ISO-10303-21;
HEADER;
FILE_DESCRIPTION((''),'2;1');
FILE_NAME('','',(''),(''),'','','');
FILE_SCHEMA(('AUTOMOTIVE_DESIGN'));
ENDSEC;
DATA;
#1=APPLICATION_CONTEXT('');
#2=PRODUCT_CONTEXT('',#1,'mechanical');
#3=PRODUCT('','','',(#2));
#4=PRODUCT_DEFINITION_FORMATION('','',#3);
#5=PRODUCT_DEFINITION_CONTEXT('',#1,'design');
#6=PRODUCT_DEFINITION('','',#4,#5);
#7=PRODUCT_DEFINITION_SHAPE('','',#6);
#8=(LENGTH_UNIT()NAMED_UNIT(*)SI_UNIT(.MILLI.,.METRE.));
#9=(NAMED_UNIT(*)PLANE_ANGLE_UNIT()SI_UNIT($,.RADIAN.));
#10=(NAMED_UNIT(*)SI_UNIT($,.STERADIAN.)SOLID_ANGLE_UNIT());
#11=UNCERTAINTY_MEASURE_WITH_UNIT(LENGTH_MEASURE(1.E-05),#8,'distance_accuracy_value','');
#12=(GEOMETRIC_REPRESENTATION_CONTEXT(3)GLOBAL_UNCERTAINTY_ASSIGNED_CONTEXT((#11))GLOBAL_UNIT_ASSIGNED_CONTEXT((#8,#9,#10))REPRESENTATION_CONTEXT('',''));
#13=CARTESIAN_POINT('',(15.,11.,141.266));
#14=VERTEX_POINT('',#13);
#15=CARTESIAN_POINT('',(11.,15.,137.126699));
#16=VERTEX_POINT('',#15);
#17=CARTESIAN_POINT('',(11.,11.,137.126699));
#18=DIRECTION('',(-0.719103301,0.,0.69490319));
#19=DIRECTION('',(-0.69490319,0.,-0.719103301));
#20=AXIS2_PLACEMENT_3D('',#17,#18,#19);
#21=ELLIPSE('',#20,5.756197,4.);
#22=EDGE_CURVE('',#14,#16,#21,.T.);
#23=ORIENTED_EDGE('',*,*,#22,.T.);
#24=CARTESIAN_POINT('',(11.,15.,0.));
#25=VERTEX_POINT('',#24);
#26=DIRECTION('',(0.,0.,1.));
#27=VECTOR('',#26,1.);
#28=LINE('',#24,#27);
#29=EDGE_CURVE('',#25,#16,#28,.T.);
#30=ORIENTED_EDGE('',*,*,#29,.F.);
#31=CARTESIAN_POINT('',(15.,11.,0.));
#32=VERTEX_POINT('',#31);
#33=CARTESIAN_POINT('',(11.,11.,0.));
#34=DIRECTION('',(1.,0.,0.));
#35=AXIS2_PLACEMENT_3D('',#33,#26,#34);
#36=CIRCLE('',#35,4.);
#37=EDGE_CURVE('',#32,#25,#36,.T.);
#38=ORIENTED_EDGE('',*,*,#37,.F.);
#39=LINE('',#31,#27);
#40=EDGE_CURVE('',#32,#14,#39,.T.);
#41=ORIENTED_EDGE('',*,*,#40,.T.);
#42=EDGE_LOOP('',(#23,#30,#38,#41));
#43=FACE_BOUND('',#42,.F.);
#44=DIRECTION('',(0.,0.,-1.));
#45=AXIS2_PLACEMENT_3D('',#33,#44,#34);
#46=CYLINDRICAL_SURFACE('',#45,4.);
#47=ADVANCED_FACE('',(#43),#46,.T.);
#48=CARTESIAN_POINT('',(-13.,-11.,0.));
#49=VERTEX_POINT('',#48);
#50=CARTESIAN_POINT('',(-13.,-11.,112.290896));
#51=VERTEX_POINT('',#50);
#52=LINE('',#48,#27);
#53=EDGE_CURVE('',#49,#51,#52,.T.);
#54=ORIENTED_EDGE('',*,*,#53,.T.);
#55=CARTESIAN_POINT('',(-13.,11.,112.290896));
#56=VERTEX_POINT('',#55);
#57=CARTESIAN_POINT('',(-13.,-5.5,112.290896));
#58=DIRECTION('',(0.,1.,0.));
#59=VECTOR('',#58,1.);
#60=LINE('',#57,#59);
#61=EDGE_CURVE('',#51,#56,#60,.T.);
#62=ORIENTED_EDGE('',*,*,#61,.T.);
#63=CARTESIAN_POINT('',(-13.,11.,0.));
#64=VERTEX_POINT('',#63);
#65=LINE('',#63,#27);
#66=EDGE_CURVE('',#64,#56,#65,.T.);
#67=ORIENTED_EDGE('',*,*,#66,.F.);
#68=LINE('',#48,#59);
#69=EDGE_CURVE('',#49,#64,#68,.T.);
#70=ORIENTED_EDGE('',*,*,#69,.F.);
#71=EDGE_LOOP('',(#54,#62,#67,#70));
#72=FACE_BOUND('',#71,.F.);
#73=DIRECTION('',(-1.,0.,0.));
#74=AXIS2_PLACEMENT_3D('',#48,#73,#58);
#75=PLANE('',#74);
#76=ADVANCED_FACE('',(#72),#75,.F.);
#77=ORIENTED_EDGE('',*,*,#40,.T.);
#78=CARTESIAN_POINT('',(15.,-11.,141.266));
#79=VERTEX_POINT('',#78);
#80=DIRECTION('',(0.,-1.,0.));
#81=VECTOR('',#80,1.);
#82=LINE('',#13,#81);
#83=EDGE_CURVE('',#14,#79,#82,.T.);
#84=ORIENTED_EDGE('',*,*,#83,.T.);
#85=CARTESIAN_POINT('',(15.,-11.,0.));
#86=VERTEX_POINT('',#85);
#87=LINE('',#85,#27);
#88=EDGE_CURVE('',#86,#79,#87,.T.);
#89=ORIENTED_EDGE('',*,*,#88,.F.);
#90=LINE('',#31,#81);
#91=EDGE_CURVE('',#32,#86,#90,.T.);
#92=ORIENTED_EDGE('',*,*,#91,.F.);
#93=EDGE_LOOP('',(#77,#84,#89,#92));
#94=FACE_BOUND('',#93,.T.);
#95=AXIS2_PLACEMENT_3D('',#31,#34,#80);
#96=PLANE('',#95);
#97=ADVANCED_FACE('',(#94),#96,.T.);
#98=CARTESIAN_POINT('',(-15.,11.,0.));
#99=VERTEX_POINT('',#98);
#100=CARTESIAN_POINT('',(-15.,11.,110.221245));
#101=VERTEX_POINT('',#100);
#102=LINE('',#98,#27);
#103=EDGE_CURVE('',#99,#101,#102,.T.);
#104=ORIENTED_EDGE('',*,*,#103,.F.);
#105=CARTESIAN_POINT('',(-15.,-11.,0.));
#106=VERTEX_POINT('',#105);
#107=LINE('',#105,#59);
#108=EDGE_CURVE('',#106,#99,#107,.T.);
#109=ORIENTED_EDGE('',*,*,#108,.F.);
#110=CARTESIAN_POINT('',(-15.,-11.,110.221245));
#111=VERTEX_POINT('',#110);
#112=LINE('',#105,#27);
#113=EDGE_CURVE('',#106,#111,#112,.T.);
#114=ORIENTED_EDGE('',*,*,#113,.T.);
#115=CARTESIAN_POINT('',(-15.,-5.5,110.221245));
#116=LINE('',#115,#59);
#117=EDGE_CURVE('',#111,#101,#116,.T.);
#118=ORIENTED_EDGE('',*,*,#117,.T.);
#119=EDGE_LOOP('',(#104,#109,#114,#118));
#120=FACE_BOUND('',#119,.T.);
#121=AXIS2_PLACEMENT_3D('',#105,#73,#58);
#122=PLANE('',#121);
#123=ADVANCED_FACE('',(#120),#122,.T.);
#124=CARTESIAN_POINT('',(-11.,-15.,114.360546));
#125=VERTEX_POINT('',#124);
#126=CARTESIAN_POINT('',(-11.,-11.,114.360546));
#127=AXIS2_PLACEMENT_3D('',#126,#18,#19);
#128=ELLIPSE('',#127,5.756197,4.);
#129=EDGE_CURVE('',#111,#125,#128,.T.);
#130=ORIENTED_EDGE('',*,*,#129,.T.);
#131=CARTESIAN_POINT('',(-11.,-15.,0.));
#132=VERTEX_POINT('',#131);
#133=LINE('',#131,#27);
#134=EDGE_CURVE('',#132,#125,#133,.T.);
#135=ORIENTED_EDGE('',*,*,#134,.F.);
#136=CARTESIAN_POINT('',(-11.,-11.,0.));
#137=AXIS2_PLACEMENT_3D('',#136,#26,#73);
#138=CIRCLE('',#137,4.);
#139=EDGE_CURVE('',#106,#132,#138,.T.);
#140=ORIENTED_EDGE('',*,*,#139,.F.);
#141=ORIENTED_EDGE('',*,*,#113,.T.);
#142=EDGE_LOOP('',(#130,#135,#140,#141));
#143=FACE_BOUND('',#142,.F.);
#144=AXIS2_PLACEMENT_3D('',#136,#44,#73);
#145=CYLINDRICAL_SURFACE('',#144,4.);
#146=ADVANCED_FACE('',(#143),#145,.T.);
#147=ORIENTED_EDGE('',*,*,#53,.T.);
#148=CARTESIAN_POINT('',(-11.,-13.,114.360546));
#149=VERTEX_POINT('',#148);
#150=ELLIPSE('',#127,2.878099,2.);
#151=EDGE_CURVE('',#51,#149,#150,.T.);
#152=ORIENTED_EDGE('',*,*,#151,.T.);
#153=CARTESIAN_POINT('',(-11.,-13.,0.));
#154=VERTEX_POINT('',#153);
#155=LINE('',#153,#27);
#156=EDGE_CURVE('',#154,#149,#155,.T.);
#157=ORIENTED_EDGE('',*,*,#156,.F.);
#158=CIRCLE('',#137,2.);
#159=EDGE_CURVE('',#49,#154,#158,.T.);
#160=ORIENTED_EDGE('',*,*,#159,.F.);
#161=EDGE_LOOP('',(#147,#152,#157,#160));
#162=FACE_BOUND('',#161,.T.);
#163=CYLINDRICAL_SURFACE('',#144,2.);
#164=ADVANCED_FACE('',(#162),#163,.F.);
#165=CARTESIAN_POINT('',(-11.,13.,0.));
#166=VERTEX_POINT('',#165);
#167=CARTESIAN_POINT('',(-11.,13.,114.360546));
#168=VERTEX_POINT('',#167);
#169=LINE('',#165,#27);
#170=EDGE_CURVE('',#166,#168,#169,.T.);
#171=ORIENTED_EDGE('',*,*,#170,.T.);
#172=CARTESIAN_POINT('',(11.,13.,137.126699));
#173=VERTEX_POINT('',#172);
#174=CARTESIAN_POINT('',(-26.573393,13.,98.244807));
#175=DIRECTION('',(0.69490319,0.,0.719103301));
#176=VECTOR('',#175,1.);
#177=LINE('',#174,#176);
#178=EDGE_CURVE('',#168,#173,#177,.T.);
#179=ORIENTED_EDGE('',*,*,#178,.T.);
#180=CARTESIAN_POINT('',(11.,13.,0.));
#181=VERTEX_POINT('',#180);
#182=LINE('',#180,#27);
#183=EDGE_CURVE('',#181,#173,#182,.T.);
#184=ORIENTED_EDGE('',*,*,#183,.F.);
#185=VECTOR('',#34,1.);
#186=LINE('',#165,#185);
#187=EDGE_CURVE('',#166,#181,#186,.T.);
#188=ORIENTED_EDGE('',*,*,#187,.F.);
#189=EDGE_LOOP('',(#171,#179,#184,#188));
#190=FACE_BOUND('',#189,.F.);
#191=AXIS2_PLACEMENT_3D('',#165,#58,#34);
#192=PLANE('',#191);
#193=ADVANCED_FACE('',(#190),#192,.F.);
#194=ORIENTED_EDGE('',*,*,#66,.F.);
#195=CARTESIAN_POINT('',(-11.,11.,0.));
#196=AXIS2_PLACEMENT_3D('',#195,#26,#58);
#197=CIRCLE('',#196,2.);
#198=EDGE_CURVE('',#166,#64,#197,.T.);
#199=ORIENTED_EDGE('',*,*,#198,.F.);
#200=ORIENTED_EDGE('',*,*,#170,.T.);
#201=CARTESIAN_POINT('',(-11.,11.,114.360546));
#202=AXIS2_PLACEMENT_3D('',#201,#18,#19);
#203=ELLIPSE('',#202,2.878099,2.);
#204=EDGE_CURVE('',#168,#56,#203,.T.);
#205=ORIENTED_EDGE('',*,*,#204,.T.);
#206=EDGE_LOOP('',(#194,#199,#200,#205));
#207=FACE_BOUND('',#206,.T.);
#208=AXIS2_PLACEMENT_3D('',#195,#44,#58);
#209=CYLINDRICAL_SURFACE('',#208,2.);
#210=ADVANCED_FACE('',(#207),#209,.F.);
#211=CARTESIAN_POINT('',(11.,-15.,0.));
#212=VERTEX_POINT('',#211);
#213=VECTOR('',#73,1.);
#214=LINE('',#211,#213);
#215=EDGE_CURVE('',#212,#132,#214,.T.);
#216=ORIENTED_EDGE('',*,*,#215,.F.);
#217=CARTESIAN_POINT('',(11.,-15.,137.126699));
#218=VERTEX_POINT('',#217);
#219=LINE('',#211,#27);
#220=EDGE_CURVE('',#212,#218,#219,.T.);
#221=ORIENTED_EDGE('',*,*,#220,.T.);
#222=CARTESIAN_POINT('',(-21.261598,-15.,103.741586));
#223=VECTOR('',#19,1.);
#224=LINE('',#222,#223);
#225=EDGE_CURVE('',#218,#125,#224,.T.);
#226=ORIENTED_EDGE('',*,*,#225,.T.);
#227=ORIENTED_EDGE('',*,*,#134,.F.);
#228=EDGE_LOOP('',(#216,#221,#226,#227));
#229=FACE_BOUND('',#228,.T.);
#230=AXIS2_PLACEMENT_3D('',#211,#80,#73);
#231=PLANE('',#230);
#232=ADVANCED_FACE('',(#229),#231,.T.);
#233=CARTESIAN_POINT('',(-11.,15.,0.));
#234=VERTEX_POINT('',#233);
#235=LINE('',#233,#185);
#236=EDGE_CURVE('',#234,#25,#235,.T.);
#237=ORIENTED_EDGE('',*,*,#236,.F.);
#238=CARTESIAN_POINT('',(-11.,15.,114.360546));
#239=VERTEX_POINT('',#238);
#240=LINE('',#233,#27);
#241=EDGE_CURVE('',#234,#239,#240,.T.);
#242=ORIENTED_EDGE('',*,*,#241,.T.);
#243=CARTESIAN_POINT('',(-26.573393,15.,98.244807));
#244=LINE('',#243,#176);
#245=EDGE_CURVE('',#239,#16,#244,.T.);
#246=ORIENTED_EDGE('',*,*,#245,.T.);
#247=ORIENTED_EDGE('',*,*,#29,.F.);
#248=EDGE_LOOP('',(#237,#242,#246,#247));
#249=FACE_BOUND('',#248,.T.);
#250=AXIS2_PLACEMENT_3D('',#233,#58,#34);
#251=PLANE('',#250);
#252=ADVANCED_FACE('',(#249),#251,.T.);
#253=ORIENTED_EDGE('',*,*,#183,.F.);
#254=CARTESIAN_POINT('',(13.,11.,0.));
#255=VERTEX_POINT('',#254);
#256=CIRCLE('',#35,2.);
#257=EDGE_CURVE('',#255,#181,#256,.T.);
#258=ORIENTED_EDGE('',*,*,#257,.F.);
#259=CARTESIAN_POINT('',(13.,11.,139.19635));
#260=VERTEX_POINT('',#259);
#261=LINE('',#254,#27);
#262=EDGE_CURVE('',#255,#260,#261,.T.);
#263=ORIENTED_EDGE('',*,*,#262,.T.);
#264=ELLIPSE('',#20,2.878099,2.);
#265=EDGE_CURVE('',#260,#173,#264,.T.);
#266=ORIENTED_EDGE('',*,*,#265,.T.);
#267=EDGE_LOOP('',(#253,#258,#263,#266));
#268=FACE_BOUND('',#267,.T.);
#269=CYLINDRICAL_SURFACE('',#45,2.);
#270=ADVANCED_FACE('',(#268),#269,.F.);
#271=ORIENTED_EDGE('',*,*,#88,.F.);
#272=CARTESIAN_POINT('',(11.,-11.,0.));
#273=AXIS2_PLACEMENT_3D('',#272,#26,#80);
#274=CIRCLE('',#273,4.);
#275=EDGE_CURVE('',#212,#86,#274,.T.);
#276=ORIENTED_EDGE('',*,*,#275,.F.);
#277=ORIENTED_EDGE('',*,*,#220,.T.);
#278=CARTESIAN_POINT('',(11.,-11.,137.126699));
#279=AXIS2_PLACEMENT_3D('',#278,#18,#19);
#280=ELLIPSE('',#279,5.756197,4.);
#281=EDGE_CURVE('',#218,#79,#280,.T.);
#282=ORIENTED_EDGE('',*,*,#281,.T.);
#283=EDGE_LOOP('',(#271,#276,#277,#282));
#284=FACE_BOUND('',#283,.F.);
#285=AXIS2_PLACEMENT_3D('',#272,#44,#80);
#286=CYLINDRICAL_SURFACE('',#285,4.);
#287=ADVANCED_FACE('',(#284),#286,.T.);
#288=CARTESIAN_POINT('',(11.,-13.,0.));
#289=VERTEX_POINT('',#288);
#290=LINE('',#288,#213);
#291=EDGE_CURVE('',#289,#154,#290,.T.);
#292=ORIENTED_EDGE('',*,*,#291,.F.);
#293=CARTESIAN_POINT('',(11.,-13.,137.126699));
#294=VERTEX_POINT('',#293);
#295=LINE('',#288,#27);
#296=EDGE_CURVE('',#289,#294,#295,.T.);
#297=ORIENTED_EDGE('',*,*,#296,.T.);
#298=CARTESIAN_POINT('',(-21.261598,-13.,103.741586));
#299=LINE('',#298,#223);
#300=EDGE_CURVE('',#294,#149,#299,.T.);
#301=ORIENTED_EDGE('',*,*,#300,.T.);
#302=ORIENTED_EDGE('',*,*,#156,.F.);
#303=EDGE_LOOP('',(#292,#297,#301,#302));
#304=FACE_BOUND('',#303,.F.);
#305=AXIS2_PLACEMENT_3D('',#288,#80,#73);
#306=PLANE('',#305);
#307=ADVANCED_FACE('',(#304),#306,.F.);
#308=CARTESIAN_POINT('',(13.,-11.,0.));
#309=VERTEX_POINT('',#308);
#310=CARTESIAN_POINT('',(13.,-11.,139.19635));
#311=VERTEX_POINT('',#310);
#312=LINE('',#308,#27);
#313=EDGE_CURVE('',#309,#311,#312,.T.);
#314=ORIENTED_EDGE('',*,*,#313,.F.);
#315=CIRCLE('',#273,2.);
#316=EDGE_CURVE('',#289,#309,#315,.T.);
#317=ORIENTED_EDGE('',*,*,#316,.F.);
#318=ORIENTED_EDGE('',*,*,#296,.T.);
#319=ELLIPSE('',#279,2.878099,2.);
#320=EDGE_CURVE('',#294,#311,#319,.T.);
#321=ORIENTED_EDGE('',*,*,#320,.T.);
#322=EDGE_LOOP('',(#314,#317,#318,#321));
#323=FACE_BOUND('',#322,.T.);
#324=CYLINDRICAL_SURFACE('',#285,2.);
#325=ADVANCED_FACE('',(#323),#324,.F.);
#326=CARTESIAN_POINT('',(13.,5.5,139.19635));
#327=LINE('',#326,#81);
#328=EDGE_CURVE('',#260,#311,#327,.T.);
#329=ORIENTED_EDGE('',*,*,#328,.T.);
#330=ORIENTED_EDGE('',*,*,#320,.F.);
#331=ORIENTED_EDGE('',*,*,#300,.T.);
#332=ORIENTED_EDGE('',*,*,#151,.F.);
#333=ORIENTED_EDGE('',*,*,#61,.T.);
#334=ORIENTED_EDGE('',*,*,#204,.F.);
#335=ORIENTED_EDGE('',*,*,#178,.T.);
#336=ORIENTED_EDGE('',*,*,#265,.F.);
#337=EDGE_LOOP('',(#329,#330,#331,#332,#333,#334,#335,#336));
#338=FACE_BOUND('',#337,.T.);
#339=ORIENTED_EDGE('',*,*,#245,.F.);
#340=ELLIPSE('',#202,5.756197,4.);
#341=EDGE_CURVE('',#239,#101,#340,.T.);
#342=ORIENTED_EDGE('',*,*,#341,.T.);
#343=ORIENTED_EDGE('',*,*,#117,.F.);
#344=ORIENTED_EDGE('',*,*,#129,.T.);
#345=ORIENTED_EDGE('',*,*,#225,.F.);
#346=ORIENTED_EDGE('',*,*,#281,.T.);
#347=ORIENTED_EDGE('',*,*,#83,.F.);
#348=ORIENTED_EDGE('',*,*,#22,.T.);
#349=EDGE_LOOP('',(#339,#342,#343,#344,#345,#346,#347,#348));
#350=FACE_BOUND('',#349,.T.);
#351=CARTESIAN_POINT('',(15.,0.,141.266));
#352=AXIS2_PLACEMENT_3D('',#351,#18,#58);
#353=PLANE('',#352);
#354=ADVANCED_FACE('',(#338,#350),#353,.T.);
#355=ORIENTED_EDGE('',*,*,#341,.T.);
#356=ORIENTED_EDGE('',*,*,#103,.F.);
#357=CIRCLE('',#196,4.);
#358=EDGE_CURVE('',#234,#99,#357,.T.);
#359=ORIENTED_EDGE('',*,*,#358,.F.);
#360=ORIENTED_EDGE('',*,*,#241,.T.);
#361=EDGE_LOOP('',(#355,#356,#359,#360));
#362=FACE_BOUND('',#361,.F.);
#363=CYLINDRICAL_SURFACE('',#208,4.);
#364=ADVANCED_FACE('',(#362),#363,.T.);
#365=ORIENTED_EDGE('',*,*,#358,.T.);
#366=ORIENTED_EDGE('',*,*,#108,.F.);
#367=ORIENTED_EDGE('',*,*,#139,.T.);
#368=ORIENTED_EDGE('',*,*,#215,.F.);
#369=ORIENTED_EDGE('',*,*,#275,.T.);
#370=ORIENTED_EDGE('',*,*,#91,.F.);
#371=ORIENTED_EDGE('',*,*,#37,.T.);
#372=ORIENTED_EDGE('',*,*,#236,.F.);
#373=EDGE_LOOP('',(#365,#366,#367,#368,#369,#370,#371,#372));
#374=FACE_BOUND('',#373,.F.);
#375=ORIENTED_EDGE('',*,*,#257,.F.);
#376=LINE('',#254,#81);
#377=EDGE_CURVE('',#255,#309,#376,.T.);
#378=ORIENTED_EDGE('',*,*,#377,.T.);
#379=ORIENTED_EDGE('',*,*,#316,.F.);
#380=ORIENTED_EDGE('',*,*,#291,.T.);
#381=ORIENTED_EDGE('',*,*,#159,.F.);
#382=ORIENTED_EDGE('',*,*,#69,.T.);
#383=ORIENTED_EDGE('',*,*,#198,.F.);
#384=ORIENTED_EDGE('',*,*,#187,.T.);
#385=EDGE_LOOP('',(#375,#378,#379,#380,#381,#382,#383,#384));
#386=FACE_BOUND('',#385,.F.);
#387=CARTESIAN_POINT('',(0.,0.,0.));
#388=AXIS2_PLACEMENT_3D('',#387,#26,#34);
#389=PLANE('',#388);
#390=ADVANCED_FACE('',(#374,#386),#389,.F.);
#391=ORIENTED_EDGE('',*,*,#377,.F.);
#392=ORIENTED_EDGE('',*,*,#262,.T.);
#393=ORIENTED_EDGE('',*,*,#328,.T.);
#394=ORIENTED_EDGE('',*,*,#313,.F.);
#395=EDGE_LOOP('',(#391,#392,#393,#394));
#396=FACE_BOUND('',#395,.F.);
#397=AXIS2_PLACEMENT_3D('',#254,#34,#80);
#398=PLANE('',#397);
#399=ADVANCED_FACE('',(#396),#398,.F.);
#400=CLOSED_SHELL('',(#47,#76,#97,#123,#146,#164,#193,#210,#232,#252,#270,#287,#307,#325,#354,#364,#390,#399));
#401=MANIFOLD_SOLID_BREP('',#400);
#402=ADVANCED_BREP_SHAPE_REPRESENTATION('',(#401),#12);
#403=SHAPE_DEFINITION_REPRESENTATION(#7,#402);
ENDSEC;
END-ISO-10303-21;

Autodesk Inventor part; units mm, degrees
ref_plane "Plano inicial" through (0, 0, 0) normal (0, 0, 1) x (1, 0, 0)
ref_plane "Plano final" through (0, 0, 141.266) normal (0, 0, 1) x (1, 0, 0)
sketch "Esboço" plane through (0, 0, 0) normal (0, 0, 1) x (1, 0, 0)
  line L0 (-15, -11) -> (-15, 11)
  line L1 (-11, 15) -> (11, 15)
  line L2 (15, 11) -> (15, -11)
  line L3 (11, -15) -> (-11, -15)
  arc A0 (-15, -11) -> (-11, -15) centre (-11, -11) ccw
  arc A1 (15, 11) -> (11, 15) centre (11, 11) ccw
  arc A2 (-11, 15) -> (-15, 11) centre (-11, 11) ccw
  arc A3 (11, -15) -> (15, -11) centre (11, -11) ccw
  arc A4 (-11, 13) -> (-13, 11) centre (-11, 11) ccw
  line L4 (-11, 13) -> (11, 13)
  arc A5 (13, 11) -> (11, 13) centre (11, 11) ccw
  line L5 (13, 11) -> (13, -11)
  arc A6 (11, -13) -> (13, -11) centre (11, -11) ccw
  line L6 (11, -13) -> (-11, -13)
  arc A7 (-13, -11) -> (-11, -13) centre (-11, -11) ccw
  line L7 (-13, -11) -> (-13, 11)
  line L8 (0, 22.1598) -> (0, -22.1598) construction
  line L9 (-22.1598, 0) -> (22.1598, 0) construction
  dimension "d7" = 4
  dimension "d9" = 30
  dimension "d11" = 30
  dimension "d12" = 2
  dimension "d15" = 15
  dimension "d16" = 15
extrude "Corpo" add sketch "Esboço" along normal up to surface (141.266 mm away) from surface at 0
sketch "Sketch3" plane through (0, 0, 0) normal (0, 0, 1) x (1, 0, 0)
  line L0 (0, 0) -> (10, 0)
ref_plane "Work Plane3" through (0, 0, 0) normal (0, -1, 0) x (1, 0, 0)
sketch "Sketch4" plane through (0, 0, 0) normal (0, -1, 0) x (1, 0, 0)
  line L0 (-2, 0) -> (12, 0)
  line L1 (-2, 141.266) -> (12, 141.266)
  dimension "d18" = 141.266
ref_plane "Plano de trabalho4" through (15, 0, 141.266) normal (-0.7191, 0, 0.6949) x (0.6949, 0, 0.7191)
split "Dividir1" plane through (15, 0, 141.266) removes the side toward (-0.7191, 0, 0.6949)
equation "\"d7\" = G_IR"
equation "\"d9\" = G_W"
equation "\"d11\" = G_H"
equation "\"d12\" = G_T"
equation "\"d15\" = 0.5 * d9"
equation "\"d16\" = 0.5 * d11"
equation "\"d3\" = G_L"
equation "\"G_W\" = 30"
equation "\"G_H\" = 30"
equation "\"G_T\" = 2"
equation "\"G_IR\" = 4"
equation "\"G_L\" = d18"
equation "\"G_OFFSET_START\" = 0"
equation "\"G_OFFSET_END\" = 1.26604"
equation "\"d14\" = G_OFFSET_END + B_L"
equation "\"B_L\" = 140"
properties part number "ISO 10799-2 - 30x30x2 - 141,266" material "Aço, suave"
